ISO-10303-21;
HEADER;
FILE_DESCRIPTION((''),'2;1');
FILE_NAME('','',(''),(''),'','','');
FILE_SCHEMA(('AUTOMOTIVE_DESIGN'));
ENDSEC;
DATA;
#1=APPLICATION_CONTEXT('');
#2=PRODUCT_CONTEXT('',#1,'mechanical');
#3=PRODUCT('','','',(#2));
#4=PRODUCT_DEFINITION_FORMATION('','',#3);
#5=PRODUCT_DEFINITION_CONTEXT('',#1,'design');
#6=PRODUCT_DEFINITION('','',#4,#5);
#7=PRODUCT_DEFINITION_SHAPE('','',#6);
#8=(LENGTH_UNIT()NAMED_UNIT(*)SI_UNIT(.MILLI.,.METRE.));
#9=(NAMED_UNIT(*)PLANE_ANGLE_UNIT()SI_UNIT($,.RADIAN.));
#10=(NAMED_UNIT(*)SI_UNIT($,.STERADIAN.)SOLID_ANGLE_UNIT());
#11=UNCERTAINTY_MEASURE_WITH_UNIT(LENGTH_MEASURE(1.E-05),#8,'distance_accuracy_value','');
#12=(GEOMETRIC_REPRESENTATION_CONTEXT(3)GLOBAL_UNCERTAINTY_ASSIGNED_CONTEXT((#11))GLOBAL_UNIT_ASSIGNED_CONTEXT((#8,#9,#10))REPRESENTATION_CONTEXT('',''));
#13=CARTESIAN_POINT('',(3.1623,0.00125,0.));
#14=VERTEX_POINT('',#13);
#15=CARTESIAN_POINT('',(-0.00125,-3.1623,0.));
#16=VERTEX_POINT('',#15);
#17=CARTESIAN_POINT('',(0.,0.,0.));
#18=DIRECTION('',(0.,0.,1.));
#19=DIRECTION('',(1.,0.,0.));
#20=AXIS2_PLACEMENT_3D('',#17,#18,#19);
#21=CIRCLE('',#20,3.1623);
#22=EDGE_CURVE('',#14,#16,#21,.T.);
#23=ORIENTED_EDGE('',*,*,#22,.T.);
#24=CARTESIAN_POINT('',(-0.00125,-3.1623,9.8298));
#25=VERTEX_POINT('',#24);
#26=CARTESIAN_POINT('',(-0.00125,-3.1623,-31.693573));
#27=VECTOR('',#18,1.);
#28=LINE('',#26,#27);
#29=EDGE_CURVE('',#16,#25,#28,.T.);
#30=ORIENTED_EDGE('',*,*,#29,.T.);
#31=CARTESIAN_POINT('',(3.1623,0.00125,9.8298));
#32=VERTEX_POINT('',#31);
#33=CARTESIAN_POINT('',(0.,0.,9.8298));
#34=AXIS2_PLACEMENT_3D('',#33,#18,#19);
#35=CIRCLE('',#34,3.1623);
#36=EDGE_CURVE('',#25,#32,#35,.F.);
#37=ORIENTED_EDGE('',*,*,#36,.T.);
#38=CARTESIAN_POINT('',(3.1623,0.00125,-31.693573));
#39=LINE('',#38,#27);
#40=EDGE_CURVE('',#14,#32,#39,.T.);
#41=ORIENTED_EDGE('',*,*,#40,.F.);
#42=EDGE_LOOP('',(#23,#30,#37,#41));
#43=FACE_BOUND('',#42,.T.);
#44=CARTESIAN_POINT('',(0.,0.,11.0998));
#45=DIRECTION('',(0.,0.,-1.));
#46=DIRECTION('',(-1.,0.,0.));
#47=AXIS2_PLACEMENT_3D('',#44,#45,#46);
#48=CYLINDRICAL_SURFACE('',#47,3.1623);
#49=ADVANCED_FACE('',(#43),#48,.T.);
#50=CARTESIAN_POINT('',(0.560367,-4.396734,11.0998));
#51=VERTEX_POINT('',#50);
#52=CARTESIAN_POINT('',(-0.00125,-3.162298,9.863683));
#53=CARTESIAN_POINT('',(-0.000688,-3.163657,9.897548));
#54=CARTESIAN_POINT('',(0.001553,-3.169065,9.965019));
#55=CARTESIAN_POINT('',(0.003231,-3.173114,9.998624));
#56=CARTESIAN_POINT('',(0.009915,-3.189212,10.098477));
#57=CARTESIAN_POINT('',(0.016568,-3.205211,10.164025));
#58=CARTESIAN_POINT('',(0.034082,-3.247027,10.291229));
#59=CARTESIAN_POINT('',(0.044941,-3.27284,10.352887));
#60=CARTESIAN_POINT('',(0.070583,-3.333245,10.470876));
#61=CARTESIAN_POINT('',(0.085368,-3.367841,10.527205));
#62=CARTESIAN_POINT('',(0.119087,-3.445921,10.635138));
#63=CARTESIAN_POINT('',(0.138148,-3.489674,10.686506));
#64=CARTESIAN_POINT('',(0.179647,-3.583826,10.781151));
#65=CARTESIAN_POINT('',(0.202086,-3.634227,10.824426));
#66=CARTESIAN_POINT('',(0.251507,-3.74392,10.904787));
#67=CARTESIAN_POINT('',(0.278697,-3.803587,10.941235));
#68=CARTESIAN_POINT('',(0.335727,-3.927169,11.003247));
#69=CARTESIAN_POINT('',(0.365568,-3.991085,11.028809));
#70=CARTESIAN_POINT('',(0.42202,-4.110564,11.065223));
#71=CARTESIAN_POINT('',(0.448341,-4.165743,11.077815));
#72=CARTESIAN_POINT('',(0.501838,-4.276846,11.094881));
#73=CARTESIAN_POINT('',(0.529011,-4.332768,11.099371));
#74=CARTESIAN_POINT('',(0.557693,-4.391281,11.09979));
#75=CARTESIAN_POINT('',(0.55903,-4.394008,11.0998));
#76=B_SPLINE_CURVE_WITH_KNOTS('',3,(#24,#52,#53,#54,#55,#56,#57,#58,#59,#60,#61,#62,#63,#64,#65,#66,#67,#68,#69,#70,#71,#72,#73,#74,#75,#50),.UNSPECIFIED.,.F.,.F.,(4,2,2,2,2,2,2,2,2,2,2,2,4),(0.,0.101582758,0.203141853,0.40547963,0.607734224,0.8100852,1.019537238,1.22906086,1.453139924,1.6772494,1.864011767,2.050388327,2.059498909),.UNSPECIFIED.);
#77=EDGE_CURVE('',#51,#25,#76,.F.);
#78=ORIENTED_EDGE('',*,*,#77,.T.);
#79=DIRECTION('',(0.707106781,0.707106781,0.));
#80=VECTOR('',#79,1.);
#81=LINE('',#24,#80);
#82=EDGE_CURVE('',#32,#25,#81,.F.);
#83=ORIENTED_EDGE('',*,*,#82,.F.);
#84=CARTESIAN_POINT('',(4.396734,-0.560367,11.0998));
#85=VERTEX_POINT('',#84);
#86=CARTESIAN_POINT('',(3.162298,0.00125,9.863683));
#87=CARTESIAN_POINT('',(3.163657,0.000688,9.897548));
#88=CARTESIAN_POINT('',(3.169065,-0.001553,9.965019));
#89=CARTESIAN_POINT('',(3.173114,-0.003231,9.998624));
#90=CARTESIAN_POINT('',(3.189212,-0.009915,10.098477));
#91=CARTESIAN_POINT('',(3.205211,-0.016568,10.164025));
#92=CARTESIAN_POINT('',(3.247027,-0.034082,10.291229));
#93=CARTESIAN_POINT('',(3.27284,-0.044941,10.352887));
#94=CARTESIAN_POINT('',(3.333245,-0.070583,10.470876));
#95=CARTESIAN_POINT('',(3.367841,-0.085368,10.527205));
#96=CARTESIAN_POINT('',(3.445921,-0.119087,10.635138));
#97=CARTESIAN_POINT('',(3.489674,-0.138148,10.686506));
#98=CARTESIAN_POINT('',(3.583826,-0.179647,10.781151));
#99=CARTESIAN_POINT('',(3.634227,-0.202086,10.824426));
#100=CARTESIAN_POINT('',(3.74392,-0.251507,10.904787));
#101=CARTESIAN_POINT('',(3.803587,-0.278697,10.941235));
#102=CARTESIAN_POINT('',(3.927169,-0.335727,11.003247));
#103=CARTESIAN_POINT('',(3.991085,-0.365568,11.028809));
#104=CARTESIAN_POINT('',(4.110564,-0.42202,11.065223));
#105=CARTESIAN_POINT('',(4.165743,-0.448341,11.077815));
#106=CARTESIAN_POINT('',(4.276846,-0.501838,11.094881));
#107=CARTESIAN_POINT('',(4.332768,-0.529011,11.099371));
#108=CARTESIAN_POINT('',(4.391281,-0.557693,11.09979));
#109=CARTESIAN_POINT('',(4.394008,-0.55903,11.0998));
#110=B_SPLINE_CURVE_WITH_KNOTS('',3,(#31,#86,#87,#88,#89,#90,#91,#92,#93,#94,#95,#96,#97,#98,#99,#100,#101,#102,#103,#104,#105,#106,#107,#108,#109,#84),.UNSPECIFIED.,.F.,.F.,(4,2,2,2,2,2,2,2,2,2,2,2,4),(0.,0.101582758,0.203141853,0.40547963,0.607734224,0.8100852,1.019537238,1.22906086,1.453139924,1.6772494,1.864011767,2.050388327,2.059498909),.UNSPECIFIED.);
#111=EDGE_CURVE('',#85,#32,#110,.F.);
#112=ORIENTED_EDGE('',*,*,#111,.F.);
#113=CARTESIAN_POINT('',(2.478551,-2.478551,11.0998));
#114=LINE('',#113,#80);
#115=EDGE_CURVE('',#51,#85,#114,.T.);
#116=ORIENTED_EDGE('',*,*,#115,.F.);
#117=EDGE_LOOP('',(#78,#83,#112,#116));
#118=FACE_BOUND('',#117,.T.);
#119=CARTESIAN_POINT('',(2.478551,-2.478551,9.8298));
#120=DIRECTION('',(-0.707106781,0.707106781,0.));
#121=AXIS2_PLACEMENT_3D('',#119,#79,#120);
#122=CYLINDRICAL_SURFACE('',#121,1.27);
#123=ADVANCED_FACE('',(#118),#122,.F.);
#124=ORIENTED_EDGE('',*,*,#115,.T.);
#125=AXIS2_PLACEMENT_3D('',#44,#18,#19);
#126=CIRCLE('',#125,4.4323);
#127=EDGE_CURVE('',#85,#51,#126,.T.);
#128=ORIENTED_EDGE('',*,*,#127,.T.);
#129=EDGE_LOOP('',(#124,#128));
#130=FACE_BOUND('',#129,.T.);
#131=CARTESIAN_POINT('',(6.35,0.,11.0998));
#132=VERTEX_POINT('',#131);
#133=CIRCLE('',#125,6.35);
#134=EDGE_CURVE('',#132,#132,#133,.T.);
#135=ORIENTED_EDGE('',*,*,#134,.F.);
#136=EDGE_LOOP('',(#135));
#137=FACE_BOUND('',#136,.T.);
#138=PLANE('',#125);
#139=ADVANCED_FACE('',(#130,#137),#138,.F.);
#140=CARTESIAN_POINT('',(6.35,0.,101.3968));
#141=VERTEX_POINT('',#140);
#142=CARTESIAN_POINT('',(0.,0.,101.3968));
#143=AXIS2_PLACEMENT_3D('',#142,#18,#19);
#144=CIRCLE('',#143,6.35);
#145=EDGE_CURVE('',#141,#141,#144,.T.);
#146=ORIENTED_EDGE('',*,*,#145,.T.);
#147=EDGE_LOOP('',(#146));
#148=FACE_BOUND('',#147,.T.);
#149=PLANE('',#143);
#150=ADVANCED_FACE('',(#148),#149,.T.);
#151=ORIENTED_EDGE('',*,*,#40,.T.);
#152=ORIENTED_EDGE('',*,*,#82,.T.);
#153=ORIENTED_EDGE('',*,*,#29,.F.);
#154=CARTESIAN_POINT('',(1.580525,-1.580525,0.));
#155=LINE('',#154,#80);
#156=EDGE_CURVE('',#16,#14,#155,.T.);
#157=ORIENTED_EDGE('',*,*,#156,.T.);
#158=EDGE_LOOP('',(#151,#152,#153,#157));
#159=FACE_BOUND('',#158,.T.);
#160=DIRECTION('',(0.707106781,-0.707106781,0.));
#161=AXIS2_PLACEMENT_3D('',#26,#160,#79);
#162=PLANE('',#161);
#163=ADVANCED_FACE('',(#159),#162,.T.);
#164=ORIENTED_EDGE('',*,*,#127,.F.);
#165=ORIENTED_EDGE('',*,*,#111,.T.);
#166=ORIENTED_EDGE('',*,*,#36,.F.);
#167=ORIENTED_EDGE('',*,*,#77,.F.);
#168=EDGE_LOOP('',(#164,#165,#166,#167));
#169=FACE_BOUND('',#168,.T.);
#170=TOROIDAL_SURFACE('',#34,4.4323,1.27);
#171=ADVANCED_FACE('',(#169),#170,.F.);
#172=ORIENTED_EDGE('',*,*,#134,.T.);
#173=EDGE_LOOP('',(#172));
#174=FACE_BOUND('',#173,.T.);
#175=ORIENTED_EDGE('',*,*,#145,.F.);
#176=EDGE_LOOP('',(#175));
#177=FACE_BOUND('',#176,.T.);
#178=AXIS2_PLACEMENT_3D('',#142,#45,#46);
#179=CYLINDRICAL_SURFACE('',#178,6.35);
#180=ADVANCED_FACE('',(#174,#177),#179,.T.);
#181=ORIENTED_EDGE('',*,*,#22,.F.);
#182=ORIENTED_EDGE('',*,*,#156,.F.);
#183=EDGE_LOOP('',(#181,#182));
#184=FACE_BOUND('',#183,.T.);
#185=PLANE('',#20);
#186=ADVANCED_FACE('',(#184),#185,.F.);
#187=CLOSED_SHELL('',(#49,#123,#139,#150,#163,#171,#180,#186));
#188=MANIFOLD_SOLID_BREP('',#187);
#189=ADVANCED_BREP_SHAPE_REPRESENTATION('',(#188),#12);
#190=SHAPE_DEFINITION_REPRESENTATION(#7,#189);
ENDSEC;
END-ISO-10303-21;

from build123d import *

# Parameters (mm, degrees)
SKETCH1_R               = 3.1623
BOSS_EXTRUDE1_DEPTH     = 11.0998
CUT_EXTRUDE1_DEPTH      = 1
CUT_EXTRUDE1_DEPTH_BACK = 12.0998
SKETCH3_R               = 6.35
BOSS_EXTRUDE2_DEPTH     = 90.297
FILLET1_R               = 1.27


with BuildPart() as part:
    # Sketch1 → Boss-Extrude1 (new body)
    with BuildSketch(Plane.XY):
        Circle(SKETCH1_R)
    extrude(amount=BOSS_EXTRUDE1_DEPTH)

    # Sketch2 → Cut-Extrude1 (cut, two sides)
    with BuildSketch(Plane(origin=(0, 0, 0), x_dir=(-1, 0, 0), z_dir=(0, 0, -1))) as cut_extrude1_sk:
        Polygon((17.073178183, -20.234228338), (0.001249598, -3.162299753), (-3.162299753, 0.001249598), (-20.234228338, 17.073178183), (-54.378085507, -17.070678986), (-17.070678986, -54.378085507), align=None)
    extrude(amount=CUT_EXTRUDE1_DEPTH, mode=Mode.SUBTRACT)
    extrude(cut_extrude1_sk.sketch, amount=-CUT_EXTRUDE1_DEPTH_BACK, mode=Mode.SUBTRACT)

    # Sketch3 → Boss-Extrude2 (add)
    with BuildSketch(Plane.XY.offset(11.0998)):
        Circle(SKETCH3_R)
    extrude(amount=BOSS_EXTRUDE2_DEPTH)

    # Fillet1
    fillet1_edges = [part.edges().sort_by_distance(p)[0] for p in [
        (-2.236083774, 2.236083774, 11.0998),
        (1.580525077, -1.580525077, 11.0998),
    ]]
    fillet(fillet1_edges, radius=FILLET1_R)


solid = part.part
